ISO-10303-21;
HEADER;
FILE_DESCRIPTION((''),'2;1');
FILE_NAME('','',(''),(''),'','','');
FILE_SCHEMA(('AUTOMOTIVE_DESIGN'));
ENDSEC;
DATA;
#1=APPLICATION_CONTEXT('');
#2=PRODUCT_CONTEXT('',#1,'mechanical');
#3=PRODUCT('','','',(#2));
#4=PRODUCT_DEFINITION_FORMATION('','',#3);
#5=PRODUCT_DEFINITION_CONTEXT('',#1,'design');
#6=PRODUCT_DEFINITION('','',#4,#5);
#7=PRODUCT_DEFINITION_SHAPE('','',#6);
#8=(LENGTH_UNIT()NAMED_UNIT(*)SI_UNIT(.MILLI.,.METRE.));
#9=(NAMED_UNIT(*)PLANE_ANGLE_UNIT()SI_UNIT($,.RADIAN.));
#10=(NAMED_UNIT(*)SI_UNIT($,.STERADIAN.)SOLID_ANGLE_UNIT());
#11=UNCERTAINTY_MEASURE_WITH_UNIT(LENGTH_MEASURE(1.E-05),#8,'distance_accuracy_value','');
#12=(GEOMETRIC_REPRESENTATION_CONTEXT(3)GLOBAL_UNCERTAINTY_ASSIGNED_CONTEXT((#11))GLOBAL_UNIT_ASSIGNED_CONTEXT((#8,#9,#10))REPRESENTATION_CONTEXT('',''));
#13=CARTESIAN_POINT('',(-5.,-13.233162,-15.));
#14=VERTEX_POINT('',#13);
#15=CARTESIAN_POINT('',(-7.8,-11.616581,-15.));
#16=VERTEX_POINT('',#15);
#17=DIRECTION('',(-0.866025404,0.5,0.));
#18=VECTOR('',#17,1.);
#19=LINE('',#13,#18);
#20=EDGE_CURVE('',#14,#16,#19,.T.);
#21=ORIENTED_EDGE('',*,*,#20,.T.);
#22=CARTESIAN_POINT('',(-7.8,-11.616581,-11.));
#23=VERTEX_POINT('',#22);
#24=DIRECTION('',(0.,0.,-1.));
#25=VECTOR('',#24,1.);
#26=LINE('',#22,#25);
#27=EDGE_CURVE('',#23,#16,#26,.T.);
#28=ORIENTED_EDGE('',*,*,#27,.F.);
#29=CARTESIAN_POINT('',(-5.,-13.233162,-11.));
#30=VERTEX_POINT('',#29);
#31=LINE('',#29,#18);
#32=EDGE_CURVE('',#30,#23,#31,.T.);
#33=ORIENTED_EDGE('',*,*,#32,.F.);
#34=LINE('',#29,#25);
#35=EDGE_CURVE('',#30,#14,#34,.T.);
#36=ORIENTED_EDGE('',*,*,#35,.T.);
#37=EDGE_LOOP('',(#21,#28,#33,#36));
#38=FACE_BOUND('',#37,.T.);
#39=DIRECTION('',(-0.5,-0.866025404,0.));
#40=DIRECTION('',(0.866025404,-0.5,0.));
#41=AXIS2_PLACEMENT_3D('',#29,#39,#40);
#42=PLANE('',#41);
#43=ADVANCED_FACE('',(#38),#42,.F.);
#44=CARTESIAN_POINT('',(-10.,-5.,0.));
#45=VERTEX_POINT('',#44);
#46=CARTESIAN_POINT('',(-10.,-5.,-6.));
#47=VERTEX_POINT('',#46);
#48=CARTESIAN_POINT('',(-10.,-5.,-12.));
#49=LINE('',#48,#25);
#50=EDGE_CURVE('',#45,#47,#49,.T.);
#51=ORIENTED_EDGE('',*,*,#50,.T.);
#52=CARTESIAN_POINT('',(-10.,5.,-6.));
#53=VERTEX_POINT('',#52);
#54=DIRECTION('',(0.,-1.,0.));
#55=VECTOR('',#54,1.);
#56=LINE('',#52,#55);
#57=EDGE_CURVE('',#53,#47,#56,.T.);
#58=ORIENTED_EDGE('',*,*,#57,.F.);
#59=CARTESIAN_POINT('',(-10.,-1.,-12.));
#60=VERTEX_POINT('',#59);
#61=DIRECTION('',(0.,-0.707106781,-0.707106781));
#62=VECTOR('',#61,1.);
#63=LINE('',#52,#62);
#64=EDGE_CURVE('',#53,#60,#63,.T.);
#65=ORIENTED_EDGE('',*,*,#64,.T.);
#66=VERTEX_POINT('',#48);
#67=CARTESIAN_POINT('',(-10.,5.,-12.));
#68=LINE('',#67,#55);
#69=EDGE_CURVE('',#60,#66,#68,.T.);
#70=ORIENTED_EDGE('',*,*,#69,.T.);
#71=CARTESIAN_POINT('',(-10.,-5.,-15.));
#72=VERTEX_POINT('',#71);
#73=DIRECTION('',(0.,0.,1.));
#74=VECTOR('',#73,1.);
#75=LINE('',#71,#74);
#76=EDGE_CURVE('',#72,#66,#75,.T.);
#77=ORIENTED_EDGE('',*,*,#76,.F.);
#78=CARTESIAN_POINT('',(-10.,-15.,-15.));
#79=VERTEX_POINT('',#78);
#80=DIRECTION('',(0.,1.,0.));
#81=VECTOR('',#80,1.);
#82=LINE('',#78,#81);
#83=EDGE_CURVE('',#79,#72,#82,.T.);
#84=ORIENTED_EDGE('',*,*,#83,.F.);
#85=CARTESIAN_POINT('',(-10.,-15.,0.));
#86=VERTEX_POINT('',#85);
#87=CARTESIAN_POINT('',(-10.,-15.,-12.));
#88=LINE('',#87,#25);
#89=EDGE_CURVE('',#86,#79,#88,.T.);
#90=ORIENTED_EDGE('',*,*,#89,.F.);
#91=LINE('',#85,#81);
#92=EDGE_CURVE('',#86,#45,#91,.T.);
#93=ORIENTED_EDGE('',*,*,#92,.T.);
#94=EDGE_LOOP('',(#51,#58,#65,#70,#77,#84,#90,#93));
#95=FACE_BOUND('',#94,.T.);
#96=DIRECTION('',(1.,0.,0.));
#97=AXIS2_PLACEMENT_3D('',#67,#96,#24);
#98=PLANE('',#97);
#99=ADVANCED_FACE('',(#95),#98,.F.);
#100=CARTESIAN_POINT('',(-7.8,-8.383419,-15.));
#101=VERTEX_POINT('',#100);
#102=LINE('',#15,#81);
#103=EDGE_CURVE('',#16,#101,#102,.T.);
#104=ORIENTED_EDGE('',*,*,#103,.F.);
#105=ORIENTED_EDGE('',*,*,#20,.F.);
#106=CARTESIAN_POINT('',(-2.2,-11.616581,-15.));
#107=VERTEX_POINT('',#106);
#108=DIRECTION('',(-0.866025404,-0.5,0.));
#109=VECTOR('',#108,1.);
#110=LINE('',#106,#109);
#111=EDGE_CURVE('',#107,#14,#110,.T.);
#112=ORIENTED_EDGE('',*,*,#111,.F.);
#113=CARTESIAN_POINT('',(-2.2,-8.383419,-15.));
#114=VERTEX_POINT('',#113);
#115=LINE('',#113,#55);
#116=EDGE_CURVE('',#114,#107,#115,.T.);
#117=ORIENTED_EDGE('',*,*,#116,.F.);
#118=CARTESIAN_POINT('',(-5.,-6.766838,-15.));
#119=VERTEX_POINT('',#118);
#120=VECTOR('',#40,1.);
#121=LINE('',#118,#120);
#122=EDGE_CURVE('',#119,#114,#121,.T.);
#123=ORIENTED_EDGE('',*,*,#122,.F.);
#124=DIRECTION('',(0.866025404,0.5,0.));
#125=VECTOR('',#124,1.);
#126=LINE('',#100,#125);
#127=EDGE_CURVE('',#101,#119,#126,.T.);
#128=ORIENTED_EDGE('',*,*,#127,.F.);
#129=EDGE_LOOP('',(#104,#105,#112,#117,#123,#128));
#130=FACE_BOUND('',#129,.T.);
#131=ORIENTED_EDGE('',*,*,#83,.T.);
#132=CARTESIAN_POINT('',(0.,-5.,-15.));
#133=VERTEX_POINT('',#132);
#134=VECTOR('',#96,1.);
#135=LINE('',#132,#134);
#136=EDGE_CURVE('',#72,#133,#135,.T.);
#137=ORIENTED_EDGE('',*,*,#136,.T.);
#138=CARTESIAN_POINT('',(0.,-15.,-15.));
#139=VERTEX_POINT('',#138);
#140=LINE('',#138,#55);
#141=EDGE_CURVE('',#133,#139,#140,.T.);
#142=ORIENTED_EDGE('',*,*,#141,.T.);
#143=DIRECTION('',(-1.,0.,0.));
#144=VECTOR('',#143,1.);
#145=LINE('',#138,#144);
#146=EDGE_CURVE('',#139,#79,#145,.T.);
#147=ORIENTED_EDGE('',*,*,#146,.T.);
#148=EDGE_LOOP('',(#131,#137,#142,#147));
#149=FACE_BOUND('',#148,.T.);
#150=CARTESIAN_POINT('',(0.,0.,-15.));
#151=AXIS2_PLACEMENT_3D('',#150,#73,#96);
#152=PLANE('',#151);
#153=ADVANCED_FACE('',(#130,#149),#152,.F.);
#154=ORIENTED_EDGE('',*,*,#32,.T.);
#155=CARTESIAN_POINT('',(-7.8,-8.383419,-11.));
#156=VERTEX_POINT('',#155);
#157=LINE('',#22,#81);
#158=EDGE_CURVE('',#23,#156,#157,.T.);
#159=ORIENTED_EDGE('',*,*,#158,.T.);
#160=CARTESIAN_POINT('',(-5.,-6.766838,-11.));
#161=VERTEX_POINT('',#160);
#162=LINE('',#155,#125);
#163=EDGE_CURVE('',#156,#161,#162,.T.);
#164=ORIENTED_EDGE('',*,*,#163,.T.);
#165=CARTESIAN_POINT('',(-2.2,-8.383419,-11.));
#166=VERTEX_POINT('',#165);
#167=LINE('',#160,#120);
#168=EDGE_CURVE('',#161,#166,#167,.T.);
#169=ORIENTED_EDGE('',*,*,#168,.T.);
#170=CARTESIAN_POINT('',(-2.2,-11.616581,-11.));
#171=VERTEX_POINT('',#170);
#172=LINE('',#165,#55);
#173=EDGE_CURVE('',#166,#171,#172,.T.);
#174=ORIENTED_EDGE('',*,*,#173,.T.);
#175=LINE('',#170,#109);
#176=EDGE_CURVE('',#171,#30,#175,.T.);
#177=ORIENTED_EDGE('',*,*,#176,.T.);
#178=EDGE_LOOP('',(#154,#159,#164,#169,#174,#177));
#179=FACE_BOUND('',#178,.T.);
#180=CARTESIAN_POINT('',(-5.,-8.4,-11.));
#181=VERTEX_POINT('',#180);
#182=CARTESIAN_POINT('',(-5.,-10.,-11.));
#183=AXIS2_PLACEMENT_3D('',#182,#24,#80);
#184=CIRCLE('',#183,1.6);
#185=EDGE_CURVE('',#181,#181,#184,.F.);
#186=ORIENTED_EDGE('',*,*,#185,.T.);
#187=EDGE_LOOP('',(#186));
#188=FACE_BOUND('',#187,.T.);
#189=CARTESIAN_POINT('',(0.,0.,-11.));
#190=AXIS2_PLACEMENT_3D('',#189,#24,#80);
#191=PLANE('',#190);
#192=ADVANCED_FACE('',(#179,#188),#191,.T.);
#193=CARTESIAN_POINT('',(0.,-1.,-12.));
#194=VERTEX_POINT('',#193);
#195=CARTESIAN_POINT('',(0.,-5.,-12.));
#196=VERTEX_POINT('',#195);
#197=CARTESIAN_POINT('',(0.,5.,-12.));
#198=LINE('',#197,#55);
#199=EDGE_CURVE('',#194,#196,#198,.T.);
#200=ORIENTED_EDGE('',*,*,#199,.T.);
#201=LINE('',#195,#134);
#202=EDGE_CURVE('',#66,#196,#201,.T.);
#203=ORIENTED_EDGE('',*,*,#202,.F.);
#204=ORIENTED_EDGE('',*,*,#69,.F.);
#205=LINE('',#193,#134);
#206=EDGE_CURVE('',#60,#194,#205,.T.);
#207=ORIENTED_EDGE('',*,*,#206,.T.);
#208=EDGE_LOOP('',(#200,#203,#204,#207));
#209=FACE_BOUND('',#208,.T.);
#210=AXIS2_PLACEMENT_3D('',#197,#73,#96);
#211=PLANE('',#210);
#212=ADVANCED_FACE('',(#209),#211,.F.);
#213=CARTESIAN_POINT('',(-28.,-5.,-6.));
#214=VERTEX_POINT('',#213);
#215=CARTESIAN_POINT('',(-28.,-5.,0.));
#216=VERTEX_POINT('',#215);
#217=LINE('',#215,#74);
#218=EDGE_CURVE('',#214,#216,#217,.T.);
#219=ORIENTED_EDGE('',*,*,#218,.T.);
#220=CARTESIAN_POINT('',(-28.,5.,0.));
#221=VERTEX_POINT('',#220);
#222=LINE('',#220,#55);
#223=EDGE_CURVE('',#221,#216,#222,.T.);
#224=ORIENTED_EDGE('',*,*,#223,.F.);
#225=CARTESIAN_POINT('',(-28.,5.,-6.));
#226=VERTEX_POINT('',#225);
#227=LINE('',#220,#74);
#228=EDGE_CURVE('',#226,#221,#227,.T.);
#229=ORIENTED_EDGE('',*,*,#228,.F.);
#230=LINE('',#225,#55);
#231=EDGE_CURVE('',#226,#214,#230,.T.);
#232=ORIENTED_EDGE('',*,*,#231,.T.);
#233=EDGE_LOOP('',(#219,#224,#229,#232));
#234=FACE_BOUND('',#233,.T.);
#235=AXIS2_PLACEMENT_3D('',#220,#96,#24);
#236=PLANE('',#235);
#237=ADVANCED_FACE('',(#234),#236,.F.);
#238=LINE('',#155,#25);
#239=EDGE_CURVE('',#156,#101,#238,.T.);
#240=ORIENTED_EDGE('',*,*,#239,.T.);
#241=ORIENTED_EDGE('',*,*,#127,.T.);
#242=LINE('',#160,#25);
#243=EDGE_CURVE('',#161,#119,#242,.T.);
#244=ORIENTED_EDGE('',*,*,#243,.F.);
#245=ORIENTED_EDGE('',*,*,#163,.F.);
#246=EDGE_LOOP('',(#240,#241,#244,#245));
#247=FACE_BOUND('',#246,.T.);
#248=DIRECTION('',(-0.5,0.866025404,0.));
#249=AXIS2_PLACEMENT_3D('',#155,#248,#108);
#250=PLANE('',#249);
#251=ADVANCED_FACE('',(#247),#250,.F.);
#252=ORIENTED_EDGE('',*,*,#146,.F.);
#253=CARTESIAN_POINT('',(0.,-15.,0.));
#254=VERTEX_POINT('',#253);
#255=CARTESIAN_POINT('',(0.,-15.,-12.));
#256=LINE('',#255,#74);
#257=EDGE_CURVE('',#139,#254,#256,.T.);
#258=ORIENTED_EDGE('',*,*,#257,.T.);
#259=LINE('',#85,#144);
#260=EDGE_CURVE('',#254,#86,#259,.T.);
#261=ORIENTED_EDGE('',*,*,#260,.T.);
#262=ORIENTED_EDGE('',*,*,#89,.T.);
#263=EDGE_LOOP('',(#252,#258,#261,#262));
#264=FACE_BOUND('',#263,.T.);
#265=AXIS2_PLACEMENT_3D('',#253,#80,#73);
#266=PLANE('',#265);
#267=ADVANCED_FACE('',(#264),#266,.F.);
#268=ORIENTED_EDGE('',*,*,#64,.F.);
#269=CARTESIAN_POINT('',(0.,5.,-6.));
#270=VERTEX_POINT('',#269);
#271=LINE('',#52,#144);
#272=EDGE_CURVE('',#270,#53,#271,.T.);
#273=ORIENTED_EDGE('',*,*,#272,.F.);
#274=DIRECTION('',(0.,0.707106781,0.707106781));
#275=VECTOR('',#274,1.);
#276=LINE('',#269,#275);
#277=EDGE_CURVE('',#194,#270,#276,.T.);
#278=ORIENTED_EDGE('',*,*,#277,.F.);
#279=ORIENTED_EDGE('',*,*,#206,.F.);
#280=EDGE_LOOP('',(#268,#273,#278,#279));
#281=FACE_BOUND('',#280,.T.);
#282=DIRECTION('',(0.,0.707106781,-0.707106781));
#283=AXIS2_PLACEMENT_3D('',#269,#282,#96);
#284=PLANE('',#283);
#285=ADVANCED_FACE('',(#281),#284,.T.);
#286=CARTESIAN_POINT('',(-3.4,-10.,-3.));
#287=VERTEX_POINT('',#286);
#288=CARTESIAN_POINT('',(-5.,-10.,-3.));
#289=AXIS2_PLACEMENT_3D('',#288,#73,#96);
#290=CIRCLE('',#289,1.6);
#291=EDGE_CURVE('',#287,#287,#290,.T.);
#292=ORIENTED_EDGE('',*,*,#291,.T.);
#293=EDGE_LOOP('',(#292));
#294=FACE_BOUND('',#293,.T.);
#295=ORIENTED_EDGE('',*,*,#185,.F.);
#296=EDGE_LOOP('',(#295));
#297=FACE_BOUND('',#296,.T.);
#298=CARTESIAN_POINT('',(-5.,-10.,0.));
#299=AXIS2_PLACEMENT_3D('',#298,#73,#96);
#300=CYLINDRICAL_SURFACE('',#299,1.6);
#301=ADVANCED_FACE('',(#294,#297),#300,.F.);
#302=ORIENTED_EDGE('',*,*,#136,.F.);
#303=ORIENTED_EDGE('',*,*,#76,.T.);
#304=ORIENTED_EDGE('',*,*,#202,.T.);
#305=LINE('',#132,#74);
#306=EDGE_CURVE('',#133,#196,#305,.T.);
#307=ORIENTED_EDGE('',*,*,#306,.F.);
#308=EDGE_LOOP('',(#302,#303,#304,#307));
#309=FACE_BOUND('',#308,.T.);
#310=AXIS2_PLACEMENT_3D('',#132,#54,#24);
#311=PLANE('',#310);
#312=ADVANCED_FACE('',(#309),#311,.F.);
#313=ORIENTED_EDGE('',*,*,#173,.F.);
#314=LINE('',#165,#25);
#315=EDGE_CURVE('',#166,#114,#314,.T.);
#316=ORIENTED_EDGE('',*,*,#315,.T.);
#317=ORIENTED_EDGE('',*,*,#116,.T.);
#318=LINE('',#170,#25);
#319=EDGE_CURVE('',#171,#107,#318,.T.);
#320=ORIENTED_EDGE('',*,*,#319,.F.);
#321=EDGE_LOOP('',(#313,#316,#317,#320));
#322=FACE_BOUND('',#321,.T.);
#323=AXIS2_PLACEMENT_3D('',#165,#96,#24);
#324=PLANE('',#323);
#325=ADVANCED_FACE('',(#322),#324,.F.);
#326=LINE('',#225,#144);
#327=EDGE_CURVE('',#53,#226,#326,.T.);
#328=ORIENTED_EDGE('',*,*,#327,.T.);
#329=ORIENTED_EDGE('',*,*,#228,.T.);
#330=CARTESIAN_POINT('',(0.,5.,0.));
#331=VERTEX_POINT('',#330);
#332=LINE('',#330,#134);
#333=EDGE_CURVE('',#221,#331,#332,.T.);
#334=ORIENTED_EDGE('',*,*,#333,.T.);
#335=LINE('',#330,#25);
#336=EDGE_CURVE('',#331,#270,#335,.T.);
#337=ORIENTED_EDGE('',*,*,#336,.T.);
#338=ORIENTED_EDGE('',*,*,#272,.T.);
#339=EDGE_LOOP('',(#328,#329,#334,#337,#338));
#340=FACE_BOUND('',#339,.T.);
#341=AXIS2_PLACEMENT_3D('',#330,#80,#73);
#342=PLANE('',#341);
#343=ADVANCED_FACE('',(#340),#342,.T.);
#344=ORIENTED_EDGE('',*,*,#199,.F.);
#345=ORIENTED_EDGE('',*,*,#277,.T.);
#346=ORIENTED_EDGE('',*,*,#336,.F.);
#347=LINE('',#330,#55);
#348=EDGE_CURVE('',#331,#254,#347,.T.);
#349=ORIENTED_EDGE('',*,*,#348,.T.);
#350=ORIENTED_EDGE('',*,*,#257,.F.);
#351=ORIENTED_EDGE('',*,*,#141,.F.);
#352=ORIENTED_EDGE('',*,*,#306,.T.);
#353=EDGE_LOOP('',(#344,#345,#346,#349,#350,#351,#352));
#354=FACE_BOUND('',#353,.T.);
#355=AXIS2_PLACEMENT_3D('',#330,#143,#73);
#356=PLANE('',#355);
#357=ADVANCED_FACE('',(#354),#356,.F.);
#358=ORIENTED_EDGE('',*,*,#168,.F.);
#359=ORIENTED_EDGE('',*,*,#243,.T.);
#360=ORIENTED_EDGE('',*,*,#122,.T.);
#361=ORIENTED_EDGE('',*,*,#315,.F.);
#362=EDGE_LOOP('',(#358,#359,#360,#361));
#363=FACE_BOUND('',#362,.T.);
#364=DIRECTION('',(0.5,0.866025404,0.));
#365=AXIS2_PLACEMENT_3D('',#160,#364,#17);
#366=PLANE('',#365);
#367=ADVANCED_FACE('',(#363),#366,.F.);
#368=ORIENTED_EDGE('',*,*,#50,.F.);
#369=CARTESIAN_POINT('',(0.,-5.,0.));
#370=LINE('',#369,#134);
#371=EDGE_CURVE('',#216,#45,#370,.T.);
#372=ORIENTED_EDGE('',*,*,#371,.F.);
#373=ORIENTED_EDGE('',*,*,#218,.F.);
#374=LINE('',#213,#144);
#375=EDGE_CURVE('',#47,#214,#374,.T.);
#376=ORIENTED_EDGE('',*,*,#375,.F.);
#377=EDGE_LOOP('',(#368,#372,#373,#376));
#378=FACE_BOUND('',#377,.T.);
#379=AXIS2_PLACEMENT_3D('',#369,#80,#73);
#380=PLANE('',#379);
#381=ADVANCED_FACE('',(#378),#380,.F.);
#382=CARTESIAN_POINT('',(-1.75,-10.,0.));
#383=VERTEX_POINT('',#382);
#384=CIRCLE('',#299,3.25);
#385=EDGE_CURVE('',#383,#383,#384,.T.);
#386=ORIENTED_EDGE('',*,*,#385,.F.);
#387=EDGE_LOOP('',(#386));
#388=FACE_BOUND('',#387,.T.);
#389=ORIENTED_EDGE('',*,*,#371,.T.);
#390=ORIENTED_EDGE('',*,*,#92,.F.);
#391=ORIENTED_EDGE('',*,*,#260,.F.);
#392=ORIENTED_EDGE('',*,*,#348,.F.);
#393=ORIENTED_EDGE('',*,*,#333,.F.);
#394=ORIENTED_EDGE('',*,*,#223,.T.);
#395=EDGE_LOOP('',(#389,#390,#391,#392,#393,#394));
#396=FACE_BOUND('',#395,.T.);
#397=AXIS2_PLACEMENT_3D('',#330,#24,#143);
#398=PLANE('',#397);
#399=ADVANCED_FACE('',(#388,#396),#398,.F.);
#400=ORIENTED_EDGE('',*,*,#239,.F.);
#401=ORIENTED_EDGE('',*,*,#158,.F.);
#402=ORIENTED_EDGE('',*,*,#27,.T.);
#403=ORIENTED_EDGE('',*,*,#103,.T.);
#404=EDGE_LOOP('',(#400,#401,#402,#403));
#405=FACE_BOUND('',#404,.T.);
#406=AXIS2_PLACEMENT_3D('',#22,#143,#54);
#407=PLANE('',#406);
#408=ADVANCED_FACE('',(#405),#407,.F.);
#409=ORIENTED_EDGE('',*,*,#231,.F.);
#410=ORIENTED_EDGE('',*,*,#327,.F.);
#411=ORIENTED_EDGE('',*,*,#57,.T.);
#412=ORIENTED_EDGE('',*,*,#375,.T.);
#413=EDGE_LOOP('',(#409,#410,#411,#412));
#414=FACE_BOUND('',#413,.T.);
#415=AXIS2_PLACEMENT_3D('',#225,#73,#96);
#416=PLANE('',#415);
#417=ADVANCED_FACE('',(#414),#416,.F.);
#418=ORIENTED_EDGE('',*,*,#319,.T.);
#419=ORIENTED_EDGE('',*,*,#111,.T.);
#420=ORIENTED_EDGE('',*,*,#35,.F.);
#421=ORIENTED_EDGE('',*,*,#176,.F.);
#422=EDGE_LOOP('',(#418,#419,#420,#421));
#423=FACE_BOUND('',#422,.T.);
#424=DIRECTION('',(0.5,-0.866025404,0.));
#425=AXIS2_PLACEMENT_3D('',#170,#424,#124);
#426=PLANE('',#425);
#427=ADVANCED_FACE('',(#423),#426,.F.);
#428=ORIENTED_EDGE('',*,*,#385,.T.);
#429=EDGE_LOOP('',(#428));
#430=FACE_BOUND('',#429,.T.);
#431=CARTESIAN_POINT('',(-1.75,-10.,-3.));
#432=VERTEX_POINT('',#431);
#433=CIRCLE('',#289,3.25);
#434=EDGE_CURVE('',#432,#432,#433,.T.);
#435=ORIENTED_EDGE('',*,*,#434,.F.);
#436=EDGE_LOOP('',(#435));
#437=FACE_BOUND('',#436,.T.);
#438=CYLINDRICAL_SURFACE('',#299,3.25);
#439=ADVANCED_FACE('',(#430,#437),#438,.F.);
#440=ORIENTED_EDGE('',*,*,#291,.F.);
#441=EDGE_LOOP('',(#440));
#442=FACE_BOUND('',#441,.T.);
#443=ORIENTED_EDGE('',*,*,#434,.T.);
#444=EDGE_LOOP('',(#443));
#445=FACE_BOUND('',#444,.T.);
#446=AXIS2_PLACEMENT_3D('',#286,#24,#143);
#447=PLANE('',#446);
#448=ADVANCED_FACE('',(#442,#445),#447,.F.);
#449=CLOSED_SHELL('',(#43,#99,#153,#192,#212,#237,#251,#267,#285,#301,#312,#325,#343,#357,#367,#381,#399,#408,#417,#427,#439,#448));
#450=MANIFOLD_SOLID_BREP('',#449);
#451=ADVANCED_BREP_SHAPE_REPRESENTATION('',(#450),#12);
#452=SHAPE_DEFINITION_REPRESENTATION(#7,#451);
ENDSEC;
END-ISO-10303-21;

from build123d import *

# Parameters (mm, degrees)
BOSS_EXTRUDE1_DEPTH                                 = 5
SKETCH4_W                                           = 10
SKETCH4_H                                           = 12
BOSS_EXTRUDE2_DEPTH                                 = 10
CBORE_FOR_M3_HEX_SOCKET_HEAD_CAP_SCREW1_D           = 3.2
CBORE_FOR_M3_HEX_SOCKET_HEAD_CAP_SCREW1_CBORE_D     = 6.5
CBORE_FOR_M3_HEX_SOCKET_HEAD_CAP_SCREW1_CBORE_DEPTH = 3
CHAMFER1_SIZE                                       = 6
BOSS_EXTRUDE3_START                                 = 3
SKETCH5_W                                           = 10
SKETCH5_H                                           = 10
SKETCH5_R                                           = 1.6
BOSS_EXTRUDE3_DEPTH                                 = 3
CUT_EXTRUDE1_DEPTH                                  = 4


with BuildPart() as part:
    # Sketch1 → Boss-Extrude1 (new, symmetric)
    with BuildSketch(Plane(origin=(0, 0, 0), x_dir=(1, 0, 0), z_dir=(0, 1, 0))):
        Polygon((0, 0), (-28, 0), (-28, 6), (-10, 6), (-10, 12), (0, 12), align=None)
    extrude(amount=BOSS_EXTRUDE1_DEPTH, both=True)

    # Sketch4 → Boss-Extrude2 (add)
    with BuildSketch(Plane.XZ.offset(5)):
        with Locations((-5, -6)):
            Rectangle(SKETCH4_W, SKETCH4_H)
    extrude(amount=BOSS_EXTRUDE2_DEPTH)

    # CBORE for M3 Hex Socket Head Cap Screw1 (through all)
    with Locations(Plane.XY):
        with Locations((-5, -10)):
            CounterBoreHole(CBORE_FOR_M3_HEX_SOCKET_HEAD_CAP_SCREW1_D / 2, CBORE_FOR_M3_HEX_SOCKET_HEAD_CAP_SCREW1_CBORE_D / 2, CBORE_FOR_M3_HEX_SOCKET_HEAD_CAP_SCREW1_CBORE_DEPTH)

    # Chamfer1
    chamfer1_edges = [part.edges().sort_by_distance(p)[0] for p in [
        (-5, 5, -12),
    ]]
    chamfer(chamfer1_edges, length=CHAMFER1_SIZE)

    # Sketch5 → Boss-Extrude3 (add)
    with BuildSketch(Plane(origin=(0, 0, -12), x_dir=(-1, 0, 0), z_dir=(0, 0, -1)).offset(BOSS_EXTRUDE3_START)):
        with Locations((5, -10)):
            Rectangle(SKETCH5_W, SKETCH5_H)
        with Locations(Location((5, -10, 0), (0, 0, 180))):
            Circle(SKETCH5_R, mode=Mode.SUBTRACT)
    extrude(amount=-BOSS_EXTRUDE3_DEPTH)

    # Sketch6 → Cut-Extrude1 (cut)
    with BuildSketch(Plane(origin=(0, 0, -15), x_dir=(-1, 0, 0), z_dir=(0, 0, -1))):
        Polygon((5, -13.233161507), (7.8, -11.616580754), (7.8, -8.383419246), (5, -6.766838493), (2.2, -8.383419246), (2.2, -11.616580754), align=None)
    extrude(amount=-CUT_EXTRUDE1_DEPTH, mode=Mode.SUBTRACT)


solid = part.part
